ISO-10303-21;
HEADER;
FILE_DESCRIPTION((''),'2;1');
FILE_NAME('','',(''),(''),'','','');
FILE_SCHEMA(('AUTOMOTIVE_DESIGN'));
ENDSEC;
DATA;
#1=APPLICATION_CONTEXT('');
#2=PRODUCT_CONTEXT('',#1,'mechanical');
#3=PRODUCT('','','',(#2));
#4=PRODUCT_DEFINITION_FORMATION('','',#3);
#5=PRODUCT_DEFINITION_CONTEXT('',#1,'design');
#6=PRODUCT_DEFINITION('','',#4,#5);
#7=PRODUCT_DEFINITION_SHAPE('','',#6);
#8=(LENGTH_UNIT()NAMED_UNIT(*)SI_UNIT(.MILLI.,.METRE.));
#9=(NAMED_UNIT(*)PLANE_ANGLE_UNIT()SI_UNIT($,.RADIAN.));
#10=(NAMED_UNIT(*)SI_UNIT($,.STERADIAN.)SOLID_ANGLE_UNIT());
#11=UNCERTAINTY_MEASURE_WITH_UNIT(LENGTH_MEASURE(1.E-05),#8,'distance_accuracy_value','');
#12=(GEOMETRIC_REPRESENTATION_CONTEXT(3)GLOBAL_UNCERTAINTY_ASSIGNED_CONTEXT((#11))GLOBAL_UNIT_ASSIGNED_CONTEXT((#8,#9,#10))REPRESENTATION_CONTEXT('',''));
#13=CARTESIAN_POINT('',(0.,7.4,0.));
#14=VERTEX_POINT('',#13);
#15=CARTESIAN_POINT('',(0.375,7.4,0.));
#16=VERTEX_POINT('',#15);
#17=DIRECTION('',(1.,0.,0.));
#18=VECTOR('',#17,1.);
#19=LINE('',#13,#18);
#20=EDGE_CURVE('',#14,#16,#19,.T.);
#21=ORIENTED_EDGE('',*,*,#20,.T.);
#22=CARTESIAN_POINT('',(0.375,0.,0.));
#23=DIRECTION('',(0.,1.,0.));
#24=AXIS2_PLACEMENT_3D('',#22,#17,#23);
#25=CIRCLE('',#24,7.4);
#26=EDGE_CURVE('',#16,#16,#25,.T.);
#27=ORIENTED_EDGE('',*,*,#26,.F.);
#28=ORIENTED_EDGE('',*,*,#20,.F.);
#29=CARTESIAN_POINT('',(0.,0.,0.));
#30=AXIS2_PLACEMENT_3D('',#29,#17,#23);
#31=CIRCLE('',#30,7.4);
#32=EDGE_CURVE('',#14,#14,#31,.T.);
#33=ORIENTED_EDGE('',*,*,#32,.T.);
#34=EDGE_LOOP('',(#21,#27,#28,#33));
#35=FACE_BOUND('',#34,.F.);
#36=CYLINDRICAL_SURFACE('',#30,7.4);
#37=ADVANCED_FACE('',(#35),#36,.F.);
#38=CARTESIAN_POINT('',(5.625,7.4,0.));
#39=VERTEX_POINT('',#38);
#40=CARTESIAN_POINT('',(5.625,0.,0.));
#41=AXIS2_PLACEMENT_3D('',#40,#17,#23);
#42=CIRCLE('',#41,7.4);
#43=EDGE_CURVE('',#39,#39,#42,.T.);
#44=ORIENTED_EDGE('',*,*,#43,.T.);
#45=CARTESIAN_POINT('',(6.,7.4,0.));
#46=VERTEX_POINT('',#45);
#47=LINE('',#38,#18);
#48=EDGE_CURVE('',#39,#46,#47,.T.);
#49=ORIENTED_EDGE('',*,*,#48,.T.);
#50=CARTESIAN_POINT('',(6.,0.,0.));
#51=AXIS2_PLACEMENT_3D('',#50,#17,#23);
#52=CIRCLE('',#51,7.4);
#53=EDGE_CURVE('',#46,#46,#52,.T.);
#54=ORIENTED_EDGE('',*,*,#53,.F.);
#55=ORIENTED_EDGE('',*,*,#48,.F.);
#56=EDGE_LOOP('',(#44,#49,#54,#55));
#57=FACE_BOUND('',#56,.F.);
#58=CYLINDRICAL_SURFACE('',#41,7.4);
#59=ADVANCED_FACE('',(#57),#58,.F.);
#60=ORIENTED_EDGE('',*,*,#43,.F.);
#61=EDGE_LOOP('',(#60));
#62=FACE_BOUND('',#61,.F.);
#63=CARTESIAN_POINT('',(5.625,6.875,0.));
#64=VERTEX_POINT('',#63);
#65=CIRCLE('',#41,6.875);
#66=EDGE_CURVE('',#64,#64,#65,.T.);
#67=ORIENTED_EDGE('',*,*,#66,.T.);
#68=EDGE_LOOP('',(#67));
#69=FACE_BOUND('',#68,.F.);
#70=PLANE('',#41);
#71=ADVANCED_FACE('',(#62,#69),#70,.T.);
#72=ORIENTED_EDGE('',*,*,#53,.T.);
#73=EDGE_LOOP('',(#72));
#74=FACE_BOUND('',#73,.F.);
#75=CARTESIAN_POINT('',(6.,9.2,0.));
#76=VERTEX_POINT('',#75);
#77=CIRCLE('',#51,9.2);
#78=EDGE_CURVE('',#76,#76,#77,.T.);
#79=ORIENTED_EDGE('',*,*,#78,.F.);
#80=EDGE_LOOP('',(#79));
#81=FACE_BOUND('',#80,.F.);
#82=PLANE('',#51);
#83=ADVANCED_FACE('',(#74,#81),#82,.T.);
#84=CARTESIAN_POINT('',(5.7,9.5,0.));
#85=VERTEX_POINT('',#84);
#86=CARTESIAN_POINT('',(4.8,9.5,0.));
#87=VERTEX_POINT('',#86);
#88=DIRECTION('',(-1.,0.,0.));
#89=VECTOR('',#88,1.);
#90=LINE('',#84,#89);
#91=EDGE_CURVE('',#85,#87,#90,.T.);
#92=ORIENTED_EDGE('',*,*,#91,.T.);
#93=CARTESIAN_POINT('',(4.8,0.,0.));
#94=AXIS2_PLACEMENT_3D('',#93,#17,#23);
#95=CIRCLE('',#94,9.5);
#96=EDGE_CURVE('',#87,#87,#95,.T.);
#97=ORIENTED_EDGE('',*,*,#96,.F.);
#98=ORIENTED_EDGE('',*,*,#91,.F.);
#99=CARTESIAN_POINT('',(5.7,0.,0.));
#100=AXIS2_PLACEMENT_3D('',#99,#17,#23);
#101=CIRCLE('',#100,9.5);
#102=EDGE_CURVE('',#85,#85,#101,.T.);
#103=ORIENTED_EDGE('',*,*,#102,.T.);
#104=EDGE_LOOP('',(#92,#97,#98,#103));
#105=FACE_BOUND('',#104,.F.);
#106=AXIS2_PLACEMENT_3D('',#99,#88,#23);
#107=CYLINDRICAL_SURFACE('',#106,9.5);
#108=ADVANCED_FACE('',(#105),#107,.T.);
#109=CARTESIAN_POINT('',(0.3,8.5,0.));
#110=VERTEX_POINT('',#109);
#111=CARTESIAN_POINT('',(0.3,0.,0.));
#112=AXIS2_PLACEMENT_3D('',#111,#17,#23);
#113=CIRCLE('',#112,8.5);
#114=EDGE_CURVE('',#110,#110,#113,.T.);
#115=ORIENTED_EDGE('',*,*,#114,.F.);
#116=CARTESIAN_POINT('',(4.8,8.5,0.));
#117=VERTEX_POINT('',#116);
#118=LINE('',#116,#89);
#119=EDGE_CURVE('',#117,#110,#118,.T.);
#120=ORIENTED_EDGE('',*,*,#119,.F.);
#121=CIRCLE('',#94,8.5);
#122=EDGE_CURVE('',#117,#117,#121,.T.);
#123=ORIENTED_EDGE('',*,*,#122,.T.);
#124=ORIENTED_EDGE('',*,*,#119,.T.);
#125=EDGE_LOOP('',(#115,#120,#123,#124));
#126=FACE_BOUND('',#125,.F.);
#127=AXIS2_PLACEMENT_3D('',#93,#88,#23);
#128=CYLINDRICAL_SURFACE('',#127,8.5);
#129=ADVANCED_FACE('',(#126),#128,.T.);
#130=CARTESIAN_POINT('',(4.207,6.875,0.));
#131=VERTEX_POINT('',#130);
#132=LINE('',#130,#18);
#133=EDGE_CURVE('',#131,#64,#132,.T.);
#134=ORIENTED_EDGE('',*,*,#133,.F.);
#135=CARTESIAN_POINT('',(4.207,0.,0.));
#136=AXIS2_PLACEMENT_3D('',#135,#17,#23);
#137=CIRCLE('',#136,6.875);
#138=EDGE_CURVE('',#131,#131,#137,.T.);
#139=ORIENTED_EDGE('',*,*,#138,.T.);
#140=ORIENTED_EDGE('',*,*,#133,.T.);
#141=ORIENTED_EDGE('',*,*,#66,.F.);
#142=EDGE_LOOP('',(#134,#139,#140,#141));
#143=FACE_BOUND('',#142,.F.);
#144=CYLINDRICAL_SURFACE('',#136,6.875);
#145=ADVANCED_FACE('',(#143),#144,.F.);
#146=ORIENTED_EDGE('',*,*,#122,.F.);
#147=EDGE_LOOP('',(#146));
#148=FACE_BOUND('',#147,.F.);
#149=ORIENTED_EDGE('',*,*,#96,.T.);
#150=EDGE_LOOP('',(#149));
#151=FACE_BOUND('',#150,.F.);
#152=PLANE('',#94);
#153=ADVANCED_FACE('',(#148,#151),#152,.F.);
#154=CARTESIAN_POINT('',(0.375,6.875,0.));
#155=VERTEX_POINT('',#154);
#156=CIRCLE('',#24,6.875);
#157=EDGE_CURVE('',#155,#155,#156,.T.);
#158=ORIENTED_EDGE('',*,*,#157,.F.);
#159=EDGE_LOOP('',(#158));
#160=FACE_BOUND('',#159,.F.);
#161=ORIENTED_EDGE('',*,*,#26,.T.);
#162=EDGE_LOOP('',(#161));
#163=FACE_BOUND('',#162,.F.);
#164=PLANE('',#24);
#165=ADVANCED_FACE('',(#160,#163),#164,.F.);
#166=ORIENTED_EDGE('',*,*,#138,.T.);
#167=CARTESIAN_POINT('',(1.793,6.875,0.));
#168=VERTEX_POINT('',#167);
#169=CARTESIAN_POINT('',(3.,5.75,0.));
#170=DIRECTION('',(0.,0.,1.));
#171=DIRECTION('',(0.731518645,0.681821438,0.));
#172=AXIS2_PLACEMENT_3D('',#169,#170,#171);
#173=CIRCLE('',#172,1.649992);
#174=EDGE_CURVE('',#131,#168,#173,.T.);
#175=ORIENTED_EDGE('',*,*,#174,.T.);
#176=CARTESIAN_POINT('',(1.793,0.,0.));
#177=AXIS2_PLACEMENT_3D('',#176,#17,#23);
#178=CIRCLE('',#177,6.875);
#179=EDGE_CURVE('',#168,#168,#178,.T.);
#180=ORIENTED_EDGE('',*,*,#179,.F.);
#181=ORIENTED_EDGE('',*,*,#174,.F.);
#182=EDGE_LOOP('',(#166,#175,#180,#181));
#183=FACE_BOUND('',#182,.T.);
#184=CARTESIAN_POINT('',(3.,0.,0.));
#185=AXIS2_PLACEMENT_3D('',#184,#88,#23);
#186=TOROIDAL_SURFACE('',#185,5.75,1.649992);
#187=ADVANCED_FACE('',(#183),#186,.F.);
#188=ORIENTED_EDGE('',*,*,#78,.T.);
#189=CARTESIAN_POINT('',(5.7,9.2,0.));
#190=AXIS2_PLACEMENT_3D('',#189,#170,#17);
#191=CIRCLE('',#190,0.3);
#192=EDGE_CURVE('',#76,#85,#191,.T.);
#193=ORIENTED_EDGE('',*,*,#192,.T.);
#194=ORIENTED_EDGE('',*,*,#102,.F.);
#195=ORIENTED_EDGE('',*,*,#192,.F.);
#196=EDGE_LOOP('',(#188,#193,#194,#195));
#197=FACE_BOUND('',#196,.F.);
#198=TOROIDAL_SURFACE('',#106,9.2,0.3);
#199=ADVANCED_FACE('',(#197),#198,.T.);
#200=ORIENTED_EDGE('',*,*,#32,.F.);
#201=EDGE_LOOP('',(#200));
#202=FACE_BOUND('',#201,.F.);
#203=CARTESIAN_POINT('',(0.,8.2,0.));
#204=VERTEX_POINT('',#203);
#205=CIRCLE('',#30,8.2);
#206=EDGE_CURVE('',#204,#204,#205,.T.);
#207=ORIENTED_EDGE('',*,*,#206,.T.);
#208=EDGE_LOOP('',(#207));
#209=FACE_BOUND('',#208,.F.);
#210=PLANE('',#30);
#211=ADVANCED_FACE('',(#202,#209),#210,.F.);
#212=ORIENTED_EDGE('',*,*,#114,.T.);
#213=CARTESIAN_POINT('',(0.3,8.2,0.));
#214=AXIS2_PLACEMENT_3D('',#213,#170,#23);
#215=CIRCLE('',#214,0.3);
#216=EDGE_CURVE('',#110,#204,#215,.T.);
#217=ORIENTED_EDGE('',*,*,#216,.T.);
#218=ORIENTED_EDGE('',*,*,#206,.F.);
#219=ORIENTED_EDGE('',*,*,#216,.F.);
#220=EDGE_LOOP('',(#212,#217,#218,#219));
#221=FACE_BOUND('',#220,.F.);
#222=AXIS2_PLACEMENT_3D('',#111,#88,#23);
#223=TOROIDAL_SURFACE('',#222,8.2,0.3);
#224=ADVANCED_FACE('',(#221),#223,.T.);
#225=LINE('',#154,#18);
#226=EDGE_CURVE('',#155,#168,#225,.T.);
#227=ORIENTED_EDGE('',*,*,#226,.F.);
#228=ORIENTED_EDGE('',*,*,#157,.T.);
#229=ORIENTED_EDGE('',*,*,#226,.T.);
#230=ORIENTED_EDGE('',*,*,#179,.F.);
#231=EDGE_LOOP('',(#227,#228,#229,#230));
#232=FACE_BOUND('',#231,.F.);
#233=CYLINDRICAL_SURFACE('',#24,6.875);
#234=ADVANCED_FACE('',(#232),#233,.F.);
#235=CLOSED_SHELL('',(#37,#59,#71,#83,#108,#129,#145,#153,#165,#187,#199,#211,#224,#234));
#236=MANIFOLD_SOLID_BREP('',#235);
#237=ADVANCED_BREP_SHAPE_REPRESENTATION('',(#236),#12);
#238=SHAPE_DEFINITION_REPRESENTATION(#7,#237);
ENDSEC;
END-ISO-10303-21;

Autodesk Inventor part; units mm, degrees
sketch "Sketch_1" plane through (0, 0, 0) normal (0, 0, 1) x (1, 0, 0)
  line L0 (6, 0) -> (0, 0)
  line L1 (0, 7.4) -> (0.375, 7.4)
  line L2 (0.375, 7.4) -> (0.375, 6.875)
  line L3 (0.375, 6.875) -> (1.793, 6.875)
  arc A0 (4.207, 6.875) -> (1.793, 6.875) centre (3, 5.75) ccw
  line L4 (4.207, 6.875) -> (5.625, 6.875)
  line L5 (5.625, 6.875) -> (5.625, 7.4)
  line L6 (5.625, 7.4) -> (6, 7.4)
  line L7 (6, 7.4) -> (6, 9.2)
  arc A1 (6, 9.2) -> (5.7, 9.5) centre (5.7, 9.2) ccw
  line L8 (5.7, 9.5) -> (4.8, 9.5)
  line L9 (4.8, 9.5) -> (4.8, 8.5)
  line L10 (4.8, 8.5) -> (0.3, 8.5)
  arc A2 (0.3, 8.5) -> (0, 8.2) centre (0.3, 8.2) ccw
  line L11 (0, 8.2) -> (0, 7.4)
revolve "Revolution1" add sketch "Sketch_1" angle 360 about axis through (6, 0, 0) along (1, 0, 0)
ref_plane "ip_st_1_XY" through (0, 0, 0) normal (1, 0, 0) x (0, 0, -1)
ref_plane "ip_st_1_YZ" through (0, 0, 0) normal (0, 0, -1) x (0, 1, 0)
ref_plane "ip_st_1_ZX" through (0, 0, 0) normal (0, 1, 0) x (1, 0, 0)
ref_plane "ip_st_2_XY" through (5.625, 0, 0) normal (-1, 0, 0) x (0, 0, -1)
ref_plane "ip_st_2_YZ" through (5.625, 0, 0) normal (0, 0, -1) x (0, -1, 0)
ref_plane "ip_st_2_ZX" through (5.625, 0, 0) normal (0, -1, 0) x (-1, 0, 0)
properties part number "F606ZZ Outer Ring" material "鋼、炭素鋼"
